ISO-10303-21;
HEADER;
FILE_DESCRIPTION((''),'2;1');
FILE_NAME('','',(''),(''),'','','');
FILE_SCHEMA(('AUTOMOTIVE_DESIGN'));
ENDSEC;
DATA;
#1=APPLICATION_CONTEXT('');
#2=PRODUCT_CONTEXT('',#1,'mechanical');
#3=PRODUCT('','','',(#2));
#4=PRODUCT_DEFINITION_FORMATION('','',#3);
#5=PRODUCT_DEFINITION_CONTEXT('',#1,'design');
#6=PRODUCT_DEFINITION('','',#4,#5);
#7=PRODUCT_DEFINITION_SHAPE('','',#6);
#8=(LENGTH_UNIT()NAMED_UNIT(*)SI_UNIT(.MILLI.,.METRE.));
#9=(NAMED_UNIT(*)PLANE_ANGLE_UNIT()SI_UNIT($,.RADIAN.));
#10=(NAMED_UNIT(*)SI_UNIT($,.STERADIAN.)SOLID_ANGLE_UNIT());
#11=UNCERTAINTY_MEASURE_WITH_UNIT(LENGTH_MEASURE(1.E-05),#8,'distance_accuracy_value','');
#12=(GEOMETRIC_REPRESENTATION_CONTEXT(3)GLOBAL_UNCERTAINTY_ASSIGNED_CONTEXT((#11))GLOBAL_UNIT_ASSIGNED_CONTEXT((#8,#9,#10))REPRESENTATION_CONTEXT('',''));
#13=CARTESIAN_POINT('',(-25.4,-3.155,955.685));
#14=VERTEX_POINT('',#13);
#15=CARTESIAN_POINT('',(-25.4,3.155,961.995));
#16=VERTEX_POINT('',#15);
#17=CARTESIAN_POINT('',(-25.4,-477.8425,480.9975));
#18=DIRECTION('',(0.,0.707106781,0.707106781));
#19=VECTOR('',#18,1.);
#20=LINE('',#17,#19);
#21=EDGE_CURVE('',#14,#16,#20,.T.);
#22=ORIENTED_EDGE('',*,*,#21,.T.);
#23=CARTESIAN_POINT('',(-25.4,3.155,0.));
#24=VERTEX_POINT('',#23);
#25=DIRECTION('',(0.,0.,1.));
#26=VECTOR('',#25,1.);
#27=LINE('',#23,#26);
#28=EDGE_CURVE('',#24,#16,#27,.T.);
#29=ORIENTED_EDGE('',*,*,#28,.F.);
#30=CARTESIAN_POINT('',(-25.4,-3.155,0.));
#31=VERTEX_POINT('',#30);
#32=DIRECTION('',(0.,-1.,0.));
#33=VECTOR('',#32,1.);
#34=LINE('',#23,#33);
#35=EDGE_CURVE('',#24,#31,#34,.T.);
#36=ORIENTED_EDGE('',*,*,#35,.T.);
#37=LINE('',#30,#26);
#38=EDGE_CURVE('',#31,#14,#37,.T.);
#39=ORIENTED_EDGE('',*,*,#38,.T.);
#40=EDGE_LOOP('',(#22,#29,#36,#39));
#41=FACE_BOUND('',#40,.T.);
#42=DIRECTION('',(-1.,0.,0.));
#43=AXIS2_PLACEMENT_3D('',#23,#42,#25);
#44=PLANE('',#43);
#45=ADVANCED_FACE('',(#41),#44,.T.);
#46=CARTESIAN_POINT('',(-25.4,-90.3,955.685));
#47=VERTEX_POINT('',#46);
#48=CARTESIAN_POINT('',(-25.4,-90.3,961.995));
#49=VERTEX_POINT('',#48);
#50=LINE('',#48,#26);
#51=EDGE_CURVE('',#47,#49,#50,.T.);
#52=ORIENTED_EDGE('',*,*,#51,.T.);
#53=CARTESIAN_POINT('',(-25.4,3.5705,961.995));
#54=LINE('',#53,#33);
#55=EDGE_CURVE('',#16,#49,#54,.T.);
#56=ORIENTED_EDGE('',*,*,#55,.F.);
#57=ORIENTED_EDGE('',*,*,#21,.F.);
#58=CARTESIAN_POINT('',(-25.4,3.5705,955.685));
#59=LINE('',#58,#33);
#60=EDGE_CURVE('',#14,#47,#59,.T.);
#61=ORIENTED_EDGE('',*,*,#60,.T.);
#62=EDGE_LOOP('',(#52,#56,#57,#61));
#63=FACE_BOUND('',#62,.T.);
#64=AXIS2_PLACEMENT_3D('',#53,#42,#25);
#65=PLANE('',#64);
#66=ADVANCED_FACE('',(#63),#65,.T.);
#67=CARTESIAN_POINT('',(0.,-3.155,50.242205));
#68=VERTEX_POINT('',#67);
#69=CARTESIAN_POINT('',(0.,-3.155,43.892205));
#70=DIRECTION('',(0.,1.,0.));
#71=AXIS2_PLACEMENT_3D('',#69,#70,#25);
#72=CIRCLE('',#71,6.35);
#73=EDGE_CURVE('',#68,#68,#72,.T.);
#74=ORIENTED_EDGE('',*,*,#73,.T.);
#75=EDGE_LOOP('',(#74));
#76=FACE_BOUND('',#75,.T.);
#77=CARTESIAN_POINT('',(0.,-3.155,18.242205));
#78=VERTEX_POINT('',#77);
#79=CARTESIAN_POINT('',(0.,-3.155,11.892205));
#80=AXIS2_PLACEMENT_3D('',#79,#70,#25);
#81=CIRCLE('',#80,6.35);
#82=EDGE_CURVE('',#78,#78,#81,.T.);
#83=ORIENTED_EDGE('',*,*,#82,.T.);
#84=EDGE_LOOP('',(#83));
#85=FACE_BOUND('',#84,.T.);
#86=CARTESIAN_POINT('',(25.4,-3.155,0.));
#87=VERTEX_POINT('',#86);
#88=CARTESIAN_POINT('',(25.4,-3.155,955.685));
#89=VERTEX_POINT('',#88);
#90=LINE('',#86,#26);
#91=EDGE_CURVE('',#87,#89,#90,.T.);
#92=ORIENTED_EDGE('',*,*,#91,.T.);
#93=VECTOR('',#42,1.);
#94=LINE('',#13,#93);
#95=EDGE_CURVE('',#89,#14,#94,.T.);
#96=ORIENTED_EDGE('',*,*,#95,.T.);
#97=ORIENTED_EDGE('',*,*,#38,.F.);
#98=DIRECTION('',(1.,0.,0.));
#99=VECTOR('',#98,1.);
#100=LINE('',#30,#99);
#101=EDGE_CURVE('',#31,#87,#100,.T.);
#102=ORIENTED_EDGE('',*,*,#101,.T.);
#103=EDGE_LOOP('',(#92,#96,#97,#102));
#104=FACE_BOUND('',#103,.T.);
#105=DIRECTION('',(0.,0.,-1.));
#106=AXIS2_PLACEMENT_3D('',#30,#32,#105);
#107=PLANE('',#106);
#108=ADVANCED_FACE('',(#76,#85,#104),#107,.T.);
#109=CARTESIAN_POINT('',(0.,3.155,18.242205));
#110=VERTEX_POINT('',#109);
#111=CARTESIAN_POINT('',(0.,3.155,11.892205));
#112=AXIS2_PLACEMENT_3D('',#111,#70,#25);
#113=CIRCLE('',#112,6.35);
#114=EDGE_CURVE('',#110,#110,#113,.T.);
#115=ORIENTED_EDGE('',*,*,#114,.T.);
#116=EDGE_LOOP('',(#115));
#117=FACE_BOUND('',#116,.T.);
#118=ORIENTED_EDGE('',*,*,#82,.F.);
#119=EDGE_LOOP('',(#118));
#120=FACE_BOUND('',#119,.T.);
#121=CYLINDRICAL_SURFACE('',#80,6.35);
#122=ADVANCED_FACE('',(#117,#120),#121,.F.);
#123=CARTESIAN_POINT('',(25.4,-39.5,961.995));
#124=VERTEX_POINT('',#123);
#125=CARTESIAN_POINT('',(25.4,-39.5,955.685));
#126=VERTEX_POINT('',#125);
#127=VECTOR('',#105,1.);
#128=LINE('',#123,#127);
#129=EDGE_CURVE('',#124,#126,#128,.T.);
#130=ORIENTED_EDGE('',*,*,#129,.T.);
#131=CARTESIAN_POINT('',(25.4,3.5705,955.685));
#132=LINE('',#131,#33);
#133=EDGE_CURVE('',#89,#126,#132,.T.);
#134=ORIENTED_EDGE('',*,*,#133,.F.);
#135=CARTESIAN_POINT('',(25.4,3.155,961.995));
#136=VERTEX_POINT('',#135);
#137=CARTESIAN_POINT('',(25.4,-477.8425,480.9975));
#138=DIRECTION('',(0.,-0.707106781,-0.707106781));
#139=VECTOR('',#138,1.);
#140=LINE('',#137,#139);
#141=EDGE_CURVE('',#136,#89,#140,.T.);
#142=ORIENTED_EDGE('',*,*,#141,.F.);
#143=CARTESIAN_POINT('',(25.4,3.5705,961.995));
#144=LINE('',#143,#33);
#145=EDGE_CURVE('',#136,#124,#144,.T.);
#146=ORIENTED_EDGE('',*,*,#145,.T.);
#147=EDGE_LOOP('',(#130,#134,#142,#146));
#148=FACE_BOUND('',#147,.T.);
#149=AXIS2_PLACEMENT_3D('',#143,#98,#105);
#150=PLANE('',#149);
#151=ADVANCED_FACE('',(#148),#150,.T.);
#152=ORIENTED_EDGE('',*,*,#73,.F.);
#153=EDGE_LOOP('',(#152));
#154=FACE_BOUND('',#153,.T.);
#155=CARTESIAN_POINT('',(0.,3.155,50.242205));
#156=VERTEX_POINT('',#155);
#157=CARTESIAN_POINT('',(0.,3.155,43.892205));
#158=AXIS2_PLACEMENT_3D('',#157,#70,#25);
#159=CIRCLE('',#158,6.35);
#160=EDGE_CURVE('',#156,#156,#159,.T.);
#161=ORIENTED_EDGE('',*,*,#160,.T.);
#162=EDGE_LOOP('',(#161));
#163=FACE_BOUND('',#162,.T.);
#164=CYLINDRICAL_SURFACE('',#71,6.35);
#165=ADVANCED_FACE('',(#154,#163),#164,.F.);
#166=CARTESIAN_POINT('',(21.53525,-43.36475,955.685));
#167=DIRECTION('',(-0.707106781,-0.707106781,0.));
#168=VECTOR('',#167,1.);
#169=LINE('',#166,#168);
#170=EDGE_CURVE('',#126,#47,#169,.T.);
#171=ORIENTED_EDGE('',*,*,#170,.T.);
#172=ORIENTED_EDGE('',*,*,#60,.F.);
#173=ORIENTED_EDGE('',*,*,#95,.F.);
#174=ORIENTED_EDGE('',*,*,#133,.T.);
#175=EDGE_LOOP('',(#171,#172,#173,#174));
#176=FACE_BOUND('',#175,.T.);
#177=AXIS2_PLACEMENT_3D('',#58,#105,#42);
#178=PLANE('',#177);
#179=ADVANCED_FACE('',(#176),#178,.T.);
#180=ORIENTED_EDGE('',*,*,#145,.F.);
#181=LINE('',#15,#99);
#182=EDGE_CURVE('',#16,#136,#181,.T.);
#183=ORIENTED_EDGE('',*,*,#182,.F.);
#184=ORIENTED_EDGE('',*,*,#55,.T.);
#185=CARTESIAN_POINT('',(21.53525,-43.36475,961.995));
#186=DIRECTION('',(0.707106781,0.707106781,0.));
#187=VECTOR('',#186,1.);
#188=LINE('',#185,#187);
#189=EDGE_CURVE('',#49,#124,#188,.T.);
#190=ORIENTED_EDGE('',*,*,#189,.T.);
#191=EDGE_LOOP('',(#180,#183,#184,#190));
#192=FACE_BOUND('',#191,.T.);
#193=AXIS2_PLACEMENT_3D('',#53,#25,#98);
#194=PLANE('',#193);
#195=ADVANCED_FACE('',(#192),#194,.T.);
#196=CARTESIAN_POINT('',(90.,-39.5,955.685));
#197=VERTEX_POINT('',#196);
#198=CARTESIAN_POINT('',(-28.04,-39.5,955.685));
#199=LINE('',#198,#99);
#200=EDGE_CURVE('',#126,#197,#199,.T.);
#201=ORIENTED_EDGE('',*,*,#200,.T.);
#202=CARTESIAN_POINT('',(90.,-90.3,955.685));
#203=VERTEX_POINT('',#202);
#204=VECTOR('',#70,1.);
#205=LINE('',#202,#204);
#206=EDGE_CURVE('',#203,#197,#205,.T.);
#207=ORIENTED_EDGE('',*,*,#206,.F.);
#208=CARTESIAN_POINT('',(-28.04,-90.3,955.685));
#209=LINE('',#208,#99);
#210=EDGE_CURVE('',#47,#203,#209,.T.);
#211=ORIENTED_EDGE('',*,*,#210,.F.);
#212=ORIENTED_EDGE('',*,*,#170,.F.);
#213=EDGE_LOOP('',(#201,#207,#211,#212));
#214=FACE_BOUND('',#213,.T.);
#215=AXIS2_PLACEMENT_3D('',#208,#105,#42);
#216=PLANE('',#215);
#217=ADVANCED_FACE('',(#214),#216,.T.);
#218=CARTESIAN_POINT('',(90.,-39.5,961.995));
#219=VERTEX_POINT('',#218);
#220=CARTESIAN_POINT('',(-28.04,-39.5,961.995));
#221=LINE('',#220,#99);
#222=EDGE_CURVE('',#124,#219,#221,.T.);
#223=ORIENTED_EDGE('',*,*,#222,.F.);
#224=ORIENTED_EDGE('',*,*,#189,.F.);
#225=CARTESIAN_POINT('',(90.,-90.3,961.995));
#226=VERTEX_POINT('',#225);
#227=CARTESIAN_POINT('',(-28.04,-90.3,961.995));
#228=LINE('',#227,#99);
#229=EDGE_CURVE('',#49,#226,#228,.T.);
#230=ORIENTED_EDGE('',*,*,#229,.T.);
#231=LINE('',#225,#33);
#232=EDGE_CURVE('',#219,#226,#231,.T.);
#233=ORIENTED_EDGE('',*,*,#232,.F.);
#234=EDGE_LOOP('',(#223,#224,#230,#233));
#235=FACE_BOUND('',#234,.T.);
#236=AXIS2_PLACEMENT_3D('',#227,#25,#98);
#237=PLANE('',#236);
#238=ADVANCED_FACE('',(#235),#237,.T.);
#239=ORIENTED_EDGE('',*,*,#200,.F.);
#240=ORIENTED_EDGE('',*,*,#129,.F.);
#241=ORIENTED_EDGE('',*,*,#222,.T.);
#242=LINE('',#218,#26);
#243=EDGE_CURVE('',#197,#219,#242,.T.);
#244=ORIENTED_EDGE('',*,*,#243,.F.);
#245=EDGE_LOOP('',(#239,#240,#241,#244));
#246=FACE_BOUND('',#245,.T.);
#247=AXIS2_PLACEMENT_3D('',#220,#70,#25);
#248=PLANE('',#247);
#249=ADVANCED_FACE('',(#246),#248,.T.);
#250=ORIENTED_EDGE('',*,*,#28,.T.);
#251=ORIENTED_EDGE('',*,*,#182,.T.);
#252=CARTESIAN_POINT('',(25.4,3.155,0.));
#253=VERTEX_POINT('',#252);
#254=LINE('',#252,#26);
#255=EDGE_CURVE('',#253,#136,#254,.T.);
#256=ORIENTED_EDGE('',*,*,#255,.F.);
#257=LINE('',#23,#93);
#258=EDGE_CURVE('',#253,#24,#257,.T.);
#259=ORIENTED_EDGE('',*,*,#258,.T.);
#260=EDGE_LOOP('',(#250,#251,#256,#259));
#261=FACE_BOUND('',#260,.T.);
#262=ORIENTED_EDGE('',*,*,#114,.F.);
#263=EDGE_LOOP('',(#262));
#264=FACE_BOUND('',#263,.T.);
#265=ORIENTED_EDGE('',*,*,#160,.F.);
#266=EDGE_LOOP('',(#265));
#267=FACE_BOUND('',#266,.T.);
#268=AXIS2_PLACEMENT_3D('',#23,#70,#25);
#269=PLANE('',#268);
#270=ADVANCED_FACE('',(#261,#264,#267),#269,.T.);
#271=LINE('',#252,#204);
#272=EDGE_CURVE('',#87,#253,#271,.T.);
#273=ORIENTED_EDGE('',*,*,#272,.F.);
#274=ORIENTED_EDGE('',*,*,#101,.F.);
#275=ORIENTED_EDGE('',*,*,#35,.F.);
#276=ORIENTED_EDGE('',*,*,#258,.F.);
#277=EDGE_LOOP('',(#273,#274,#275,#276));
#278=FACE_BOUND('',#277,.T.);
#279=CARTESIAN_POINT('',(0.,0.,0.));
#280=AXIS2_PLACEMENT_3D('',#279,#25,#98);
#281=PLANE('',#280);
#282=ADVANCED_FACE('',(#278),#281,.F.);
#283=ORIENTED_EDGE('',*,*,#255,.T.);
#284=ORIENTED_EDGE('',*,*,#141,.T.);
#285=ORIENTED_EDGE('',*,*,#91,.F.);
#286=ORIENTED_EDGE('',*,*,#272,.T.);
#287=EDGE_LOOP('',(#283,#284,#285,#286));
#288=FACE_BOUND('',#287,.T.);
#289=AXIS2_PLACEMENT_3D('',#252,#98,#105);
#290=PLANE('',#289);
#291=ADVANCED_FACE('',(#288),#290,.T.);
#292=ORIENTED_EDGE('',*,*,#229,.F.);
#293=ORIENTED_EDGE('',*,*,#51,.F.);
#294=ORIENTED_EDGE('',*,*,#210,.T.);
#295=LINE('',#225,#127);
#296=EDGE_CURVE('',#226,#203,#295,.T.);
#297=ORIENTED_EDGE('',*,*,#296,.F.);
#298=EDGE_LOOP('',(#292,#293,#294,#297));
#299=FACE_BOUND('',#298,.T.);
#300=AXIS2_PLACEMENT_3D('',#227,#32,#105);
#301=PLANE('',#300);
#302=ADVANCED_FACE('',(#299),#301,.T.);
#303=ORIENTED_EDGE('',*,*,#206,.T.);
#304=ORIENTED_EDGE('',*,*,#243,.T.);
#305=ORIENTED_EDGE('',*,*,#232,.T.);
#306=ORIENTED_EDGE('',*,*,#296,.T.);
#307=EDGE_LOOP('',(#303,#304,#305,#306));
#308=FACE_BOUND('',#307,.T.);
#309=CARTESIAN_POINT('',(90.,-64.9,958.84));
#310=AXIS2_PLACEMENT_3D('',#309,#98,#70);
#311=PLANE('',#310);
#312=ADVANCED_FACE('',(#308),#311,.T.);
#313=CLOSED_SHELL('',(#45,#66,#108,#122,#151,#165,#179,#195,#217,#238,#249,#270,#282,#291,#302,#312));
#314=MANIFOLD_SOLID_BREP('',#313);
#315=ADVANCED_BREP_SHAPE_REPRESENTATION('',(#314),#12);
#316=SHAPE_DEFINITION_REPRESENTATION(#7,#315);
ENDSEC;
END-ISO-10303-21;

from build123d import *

# Parameters (mm, degrees)
CROQUIS1_W            = 50.8
CROQUIS1_H            = 6.31
CROQUIS2_R            = 6.35
CORTAR_EXTRUIR1_DEPTH = 6.31


with BuildPart() as part:
    # Barrer1: sweep along a curve in space
    with BuildLine() as barrer1_path:
        Line((0, 0, 0), (0, 0, 958.84))
        Line((0, 0, 958.84), (0, -64.9, 958.84))
        Line((0, -64.9, 958.84), (90, -64.9, 958.84))
    # Croquis1 → Barrer1 (sweep)
    with BuildSketch(Plane.XY):
        Rectangle(CROQUIS1_W, CROQUIS1_H)
    sweep(path=barrer1_path.line, transition=Transition.RIGHT)

    # Croquis2 → Cortar-Extruir1 (cut)
    with BuildSketch(Plane(origin=(0, 3.155, 0), x_dir=(1, 0, 0), z_dir=(0, 1, 0))):
        with Locations(Location((0, -43.892204666, 0), (0, 0, 270))):
            Circle(CROQUIS2_R)
        with Locations(Location((0, -11.892204666, 0), (0, 0, 270))):
            Circle(CROQUIS2_R)
    extrude(amount=-CORTAR_EXTRUIR1_DEPTH, mode=Mode.SUBTRACT)


solid = part.part
